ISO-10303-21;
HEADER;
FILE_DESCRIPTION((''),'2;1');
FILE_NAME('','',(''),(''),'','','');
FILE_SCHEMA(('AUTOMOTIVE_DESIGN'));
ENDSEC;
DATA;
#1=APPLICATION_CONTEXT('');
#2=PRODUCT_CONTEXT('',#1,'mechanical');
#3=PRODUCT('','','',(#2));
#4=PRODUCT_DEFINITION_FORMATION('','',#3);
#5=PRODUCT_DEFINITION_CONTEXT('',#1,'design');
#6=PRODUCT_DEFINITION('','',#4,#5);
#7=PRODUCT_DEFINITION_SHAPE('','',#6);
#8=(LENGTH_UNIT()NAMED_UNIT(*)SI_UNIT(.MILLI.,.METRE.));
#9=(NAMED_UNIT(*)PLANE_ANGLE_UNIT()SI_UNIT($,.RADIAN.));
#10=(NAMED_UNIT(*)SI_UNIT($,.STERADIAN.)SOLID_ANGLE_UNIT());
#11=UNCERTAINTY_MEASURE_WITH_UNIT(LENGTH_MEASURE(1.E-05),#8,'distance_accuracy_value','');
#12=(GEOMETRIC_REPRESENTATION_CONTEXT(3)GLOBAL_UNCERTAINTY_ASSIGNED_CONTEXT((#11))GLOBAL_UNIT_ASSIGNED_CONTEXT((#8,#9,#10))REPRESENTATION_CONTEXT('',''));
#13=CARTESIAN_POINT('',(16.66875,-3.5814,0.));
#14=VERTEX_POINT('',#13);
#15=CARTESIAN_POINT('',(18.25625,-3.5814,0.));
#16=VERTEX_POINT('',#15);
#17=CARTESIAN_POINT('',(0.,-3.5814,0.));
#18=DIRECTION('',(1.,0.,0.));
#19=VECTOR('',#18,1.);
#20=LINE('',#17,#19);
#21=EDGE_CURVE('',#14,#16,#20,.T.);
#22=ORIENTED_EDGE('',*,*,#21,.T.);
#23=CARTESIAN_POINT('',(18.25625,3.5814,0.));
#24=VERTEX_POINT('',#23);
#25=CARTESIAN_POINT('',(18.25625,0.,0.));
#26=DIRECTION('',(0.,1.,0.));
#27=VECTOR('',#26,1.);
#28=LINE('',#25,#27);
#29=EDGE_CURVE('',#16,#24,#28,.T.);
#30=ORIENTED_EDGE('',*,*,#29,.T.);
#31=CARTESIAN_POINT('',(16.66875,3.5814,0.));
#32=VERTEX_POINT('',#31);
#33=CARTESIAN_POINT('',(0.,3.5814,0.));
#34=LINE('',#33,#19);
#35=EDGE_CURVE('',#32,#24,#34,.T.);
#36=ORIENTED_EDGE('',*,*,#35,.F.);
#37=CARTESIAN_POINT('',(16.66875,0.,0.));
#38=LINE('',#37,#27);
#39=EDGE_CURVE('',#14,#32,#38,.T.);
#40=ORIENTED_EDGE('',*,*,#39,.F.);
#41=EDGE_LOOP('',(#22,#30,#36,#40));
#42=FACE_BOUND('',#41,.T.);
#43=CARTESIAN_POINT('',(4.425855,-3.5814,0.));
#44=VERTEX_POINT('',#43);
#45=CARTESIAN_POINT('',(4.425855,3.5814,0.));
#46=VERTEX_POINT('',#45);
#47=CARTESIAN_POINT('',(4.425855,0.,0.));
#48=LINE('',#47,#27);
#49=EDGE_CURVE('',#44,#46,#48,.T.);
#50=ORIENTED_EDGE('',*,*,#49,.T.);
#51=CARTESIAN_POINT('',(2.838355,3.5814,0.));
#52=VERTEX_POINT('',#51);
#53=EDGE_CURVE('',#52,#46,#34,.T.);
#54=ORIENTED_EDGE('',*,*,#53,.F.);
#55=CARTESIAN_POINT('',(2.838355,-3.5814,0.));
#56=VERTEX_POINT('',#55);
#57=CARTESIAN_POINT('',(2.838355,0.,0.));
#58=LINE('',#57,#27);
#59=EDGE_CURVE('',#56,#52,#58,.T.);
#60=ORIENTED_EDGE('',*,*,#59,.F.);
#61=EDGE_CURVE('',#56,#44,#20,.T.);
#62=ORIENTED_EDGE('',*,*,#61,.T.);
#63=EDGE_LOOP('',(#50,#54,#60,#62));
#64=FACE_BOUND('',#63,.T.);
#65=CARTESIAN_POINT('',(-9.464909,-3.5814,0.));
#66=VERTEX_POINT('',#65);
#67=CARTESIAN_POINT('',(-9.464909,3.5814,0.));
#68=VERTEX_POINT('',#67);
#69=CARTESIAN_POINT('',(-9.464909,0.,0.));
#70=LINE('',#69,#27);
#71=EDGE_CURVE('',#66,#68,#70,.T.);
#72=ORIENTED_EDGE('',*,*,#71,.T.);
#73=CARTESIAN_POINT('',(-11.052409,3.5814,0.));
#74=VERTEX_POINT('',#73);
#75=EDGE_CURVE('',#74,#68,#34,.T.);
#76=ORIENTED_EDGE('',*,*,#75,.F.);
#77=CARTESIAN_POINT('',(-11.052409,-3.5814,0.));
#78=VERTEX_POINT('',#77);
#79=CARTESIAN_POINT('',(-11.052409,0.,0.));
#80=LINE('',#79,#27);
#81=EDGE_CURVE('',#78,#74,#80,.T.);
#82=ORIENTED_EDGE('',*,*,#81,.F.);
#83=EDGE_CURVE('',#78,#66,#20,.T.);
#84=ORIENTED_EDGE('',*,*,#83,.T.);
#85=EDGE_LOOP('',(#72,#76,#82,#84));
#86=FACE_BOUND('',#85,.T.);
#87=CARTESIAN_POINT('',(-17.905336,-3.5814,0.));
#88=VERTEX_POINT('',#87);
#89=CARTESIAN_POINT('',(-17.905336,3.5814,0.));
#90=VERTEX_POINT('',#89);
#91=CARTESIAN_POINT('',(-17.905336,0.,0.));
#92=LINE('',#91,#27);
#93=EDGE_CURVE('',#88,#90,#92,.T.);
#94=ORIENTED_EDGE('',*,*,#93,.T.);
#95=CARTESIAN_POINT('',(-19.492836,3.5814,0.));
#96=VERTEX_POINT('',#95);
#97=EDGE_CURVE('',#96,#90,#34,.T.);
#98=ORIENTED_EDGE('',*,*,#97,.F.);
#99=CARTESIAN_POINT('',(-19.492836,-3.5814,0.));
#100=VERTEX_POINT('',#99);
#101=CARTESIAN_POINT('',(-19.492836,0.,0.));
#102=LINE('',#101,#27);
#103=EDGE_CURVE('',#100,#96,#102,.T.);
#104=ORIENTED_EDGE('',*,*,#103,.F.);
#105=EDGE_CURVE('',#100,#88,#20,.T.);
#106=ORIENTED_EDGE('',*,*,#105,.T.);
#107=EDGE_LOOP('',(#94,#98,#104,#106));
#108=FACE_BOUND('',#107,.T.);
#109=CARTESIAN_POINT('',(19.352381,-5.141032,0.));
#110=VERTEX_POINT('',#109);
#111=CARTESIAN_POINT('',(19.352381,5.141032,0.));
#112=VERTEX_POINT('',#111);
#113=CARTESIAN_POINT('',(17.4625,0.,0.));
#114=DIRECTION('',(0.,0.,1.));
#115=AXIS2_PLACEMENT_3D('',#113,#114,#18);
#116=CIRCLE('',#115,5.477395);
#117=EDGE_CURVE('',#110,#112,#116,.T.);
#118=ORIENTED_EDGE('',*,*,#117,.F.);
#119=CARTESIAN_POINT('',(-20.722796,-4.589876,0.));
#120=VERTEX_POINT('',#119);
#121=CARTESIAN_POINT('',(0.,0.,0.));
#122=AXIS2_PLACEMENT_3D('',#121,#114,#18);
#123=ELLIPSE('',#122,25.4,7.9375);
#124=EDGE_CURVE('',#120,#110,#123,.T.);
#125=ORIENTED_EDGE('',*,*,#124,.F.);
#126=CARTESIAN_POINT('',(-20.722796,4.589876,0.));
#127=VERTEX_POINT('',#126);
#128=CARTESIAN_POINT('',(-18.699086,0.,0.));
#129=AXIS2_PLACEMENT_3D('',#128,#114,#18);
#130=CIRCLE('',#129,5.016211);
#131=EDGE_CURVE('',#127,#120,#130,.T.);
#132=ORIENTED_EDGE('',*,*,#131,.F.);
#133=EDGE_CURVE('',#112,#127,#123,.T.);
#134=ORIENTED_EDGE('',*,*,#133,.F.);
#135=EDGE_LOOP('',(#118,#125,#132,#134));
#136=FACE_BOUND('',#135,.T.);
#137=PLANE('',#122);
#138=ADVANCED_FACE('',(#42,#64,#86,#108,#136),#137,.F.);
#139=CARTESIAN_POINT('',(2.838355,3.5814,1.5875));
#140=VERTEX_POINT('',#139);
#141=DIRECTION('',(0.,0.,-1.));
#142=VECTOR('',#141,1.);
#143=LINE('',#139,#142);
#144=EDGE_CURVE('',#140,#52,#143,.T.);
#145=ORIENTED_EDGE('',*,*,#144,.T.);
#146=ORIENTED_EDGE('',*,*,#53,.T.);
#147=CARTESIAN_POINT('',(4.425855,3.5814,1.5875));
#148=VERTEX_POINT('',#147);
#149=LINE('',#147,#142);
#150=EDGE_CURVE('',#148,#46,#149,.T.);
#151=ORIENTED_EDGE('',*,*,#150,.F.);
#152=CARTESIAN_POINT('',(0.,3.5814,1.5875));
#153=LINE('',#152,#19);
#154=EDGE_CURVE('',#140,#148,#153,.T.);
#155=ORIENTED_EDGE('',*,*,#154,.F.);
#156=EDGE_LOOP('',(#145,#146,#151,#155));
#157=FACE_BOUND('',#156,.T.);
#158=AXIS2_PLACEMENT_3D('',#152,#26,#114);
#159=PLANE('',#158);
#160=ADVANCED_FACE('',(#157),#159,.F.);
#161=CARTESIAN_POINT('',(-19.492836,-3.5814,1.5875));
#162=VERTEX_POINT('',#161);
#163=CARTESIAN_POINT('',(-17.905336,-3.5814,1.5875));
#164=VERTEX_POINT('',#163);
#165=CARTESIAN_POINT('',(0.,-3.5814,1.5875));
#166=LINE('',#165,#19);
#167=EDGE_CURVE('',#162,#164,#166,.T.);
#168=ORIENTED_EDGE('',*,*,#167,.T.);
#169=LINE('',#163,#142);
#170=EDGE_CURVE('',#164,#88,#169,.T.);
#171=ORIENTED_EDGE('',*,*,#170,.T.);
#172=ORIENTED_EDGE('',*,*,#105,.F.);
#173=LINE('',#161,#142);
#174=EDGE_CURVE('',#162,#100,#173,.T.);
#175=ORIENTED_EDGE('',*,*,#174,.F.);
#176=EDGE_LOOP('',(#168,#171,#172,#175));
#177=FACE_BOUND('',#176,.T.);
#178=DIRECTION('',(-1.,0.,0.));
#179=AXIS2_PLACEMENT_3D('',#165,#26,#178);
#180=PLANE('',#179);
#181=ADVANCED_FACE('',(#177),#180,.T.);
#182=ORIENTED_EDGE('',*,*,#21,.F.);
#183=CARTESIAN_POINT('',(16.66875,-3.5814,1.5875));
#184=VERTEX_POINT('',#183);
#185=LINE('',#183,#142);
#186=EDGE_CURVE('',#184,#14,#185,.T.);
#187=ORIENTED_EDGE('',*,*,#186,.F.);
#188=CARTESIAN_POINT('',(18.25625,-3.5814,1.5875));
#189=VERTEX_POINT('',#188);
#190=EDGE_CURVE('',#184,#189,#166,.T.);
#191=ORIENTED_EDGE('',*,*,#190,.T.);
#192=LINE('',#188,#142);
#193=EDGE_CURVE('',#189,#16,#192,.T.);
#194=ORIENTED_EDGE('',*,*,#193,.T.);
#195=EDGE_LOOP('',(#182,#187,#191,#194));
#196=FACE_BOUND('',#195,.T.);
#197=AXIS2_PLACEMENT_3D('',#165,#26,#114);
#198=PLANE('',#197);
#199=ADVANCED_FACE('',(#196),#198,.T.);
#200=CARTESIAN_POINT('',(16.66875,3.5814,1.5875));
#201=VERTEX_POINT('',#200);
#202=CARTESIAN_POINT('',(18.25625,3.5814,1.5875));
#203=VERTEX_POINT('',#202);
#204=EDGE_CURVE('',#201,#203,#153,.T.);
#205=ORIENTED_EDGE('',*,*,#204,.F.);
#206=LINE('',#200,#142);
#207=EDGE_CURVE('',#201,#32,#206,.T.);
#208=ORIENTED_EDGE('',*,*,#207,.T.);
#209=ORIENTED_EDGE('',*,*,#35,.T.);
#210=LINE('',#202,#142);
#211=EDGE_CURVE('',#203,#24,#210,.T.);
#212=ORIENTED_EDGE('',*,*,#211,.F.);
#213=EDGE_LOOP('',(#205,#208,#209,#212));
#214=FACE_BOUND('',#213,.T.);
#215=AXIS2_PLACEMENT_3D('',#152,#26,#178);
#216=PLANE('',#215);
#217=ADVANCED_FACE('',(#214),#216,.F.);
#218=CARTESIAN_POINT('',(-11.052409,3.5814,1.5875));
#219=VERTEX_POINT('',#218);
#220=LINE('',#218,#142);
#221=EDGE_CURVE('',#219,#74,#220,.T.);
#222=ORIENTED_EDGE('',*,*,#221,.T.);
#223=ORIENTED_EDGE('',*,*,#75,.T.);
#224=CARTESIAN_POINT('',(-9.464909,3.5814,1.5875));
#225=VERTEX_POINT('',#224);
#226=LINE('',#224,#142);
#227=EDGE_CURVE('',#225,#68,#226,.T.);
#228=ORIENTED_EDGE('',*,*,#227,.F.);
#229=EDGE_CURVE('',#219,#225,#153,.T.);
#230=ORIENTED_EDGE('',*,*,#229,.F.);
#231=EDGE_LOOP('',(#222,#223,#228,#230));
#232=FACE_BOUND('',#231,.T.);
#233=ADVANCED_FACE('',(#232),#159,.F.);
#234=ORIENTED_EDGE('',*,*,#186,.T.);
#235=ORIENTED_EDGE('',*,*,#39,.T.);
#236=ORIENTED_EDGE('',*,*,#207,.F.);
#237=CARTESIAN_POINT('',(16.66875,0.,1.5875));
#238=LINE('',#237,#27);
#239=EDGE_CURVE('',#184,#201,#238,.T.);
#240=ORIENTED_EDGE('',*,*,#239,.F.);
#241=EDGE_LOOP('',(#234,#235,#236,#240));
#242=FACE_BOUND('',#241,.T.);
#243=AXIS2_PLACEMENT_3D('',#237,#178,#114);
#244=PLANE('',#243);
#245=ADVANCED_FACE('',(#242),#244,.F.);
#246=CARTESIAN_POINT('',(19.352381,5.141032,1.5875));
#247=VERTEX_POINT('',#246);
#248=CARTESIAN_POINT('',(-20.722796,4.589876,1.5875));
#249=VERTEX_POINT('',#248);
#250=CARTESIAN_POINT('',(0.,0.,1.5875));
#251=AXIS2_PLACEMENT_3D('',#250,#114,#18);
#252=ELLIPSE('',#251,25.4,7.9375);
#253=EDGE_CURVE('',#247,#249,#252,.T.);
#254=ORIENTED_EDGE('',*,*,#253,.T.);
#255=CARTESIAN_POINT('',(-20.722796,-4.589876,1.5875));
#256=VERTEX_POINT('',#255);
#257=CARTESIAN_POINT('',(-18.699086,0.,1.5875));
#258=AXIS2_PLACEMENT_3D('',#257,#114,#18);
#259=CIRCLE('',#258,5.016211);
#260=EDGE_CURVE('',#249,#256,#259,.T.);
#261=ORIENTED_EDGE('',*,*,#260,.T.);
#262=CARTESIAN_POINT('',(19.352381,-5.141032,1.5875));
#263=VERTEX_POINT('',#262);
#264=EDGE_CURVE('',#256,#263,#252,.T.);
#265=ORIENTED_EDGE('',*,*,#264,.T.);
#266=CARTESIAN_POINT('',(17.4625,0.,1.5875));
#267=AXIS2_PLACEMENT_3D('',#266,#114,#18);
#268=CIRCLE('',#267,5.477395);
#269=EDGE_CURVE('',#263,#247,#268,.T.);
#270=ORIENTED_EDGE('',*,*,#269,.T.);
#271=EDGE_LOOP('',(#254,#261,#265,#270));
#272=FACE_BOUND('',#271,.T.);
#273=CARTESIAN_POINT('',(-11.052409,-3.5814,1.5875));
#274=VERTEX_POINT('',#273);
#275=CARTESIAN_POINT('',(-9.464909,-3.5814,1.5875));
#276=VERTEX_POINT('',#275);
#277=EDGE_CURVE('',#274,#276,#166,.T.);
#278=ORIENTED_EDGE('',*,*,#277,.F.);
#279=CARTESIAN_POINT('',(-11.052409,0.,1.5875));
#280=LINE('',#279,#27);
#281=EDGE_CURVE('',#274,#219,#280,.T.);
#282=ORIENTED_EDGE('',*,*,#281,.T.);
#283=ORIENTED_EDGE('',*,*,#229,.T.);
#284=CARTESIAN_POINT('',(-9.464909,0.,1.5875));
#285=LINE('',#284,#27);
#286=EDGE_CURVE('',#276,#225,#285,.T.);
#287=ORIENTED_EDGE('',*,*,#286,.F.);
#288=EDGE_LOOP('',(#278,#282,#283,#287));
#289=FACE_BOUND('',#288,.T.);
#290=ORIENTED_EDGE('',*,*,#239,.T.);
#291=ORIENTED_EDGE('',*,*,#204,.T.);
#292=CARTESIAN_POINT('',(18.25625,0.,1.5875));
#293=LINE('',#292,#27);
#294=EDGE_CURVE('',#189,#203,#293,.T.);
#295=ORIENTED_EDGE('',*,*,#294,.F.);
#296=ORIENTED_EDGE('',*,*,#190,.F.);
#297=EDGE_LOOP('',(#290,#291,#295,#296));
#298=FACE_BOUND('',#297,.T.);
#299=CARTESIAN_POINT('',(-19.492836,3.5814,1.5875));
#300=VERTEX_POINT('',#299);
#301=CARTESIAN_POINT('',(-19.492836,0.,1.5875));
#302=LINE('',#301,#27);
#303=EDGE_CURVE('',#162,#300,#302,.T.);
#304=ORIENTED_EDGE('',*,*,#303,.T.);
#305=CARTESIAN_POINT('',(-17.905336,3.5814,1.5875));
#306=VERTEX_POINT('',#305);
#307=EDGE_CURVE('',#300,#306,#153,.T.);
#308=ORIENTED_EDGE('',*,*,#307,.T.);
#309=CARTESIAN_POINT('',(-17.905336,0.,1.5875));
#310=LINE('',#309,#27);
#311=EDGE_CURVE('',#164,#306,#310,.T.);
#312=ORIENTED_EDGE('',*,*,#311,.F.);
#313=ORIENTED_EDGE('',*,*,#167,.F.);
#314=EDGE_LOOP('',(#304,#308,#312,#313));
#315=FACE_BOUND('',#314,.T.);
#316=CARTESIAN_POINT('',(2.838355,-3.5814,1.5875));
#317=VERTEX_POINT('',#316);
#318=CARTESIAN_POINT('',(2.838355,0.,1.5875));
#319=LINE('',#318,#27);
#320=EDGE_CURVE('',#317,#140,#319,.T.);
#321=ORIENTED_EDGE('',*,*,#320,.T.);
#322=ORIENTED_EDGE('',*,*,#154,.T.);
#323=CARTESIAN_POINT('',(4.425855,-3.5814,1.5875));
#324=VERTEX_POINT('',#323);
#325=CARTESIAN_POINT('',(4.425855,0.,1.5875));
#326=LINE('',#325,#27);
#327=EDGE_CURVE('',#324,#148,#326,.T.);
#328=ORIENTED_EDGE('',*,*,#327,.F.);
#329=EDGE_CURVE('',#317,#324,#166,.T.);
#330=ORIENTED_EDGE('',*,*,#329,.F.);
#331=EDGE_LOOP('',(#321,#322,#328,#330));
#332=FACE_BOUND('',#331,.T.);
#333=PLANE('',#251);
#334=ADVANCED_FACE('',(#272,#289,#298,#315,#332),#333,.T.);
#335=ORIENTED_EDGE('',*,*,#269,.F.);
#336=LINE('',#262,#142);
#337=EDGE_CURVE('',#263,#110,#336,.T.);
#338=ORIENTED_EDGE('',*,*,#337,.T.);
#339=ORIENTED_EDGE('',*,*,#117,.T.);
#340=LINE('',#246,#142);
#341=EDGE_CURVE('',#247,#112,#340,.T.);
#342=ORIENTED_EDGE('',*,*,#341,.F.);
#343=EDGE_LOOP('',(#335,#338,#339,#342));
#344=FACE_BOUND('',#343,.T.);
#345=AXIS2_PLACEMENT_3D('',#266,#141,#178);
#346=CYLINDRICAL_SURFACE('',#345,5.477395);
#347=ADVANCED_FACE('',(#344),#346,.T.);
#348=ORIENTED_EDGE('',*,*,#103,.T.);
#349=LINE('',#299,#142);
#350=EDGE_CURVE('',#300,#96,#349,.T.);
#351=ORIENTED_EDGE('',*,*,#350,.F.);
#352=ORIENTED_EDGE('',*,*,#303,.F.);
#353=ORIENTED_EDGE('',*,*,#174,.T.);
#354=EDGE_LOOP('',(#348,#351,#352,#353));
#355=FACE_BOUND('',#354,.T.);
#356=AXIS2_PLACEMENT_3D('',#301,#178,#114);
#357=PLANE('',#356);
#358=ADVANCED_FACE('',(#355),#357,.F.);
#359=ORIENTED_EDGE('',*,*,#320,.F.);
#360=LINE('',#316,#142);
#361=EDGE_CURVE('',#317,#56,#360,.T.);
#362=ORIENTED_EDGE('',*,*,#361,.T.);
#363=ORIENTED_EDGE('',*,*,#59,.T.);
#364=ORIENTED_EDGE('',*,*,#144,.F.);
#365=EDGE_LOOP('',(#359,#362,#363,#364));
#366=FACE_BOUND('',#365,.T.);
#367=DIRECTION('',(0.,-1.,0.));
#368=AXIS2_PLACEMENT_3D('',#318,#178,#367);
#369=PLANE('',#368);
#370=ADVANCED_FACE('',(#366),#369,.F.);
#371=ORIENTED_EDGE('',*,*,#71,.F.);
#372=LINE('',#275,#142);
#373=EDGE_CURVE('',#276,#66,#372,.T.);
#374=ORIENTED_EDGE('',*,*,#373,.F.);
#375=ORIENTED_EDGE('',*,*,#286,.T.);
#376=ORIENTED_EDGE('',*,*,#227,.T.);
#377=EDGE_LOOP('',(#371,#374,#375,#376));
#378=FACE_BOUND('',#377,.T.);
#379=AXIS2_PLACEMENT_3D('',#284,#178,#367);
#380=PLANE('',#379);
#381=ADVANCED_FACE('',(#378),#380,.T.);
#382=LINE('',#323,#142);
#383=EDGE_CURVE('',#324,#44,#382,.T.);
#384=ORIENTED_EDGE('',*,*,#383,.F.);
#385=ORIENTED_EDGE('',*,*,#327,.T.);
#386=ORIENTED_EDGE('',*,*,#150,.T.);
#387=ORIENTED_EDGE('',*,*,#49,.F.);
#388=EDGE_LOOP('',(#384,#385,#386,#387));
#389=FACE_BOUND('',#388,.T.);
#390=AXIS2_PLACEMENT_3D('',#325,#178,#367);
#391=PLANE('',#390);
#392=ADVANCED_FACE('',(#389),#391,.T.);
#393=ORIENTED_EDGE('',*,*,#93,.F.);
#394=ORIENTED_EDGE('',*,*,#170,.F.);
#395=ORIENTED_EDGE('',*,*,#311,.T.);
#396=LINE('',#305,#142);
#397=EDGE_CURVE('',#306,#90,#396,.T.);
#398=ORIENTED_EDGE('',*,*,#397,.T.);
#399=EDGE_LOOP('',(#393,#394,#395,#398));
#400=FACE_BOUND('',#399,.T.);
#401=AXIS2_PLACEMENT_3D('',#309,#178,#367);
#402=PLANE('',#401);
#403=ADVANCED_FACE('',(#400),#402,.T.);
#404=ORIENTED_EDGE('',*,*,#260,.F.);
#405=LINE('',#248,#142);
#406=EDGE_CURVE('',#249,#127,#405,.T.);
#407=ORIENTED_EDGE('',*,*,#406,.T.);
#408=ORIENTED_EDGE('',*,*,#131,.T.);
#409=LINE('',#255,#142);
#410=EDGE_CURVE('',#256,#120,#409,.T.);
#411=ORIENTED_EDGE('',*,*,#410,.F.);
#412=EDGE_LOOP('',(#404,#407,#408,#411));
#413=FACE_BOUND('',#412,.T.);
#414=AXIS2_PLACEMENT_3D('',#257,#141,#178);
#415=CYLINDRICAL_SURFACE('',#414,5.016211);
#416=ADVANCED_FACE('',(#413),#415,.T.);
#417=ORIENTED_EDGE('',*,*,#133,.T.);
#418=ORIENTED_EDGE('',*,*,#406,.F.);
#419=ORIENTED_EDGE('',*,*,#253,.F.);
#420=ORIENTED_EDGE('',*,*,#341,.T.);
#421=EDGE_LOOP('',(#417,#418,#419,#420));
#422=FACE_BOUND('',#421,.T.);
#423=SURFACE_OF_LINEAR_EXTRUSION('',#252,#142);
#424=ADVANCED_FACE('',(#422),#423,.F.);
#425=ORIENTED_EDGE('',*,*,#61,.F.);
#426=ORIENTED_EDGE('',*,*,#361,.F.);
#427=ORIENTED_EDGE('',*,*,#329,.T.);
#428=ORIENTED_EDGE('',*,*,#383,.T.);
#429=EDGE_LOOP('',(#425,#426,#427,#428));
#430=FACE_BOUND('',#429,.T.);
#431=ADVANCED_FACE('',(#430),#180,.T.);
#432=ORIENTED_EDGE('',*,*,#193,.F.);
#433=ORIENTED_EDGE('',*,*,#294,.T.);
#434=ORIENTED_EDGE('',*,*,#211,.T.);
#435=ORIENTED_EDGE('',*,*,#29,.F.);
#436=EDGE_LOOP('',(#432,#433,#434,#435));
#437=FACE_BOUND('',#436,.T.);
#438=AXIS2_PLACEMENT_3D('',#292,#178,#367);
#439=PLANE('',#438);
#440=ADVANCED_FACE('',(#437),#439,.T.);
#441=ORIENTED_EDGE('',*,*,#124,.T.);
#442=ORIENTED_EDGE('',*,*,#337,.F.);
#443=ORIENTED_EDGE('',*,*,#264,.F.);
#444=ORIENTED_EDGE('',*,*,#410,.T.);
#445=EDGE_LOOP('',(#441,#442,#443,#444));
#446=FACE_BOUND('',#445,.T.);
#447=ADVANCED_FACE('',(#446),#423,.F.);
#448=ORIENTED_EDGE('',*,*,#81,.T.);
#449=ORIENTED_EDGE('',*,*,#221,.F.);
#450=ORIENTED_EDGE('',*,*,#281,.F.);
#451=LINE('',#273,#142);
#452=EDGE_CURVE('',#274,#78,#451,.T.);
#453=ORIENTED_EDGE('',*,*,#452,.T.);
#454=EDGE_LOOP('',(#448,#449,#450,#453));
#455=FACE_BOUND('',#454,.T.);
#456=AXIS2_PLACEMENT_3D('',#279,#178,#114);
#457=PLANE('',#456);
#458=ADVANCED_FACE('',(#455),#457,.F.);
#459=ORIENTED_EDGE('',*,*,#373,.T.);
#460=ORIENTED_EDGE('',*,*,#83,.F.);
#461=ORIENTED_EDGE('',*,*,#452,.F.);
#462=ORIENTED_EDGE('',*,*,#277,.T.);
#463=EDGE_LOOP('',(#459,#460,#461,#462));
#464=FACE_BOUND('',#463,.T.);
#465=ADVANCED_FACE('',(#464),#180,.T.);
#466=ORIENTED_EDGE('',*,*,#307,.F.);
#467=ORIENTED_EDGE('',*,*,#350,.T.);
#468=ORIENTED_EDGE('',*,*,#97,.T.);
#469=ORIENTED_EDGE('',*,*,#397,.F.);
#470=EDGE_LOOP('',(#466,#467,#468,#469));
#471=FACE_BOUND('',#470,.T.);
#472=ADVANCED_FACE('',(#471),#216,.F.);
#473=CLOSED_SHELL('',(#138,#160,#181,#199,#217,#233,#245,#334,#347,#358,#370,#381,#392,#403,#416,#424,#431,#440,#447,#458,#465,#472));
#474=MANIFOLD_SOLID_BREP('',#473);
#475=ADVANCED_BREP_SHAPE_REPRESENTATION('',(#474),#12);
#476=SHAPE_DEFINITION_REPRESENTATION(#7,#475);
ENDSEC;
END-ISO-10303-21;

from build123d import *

# Parameters (mm, degrees)
SKETCH1_W           = 1.5875
SKETCH1_H           = 7.1628
BOSS_EXTRUDE1_DEPTH = 1.5875


with BuildPart() as part:
    # Sketch1 → Boss-Extrude1 (new body)
    with BuildSketch(Plane.XY):
        with BuildLine():
            ThreePointArc((-20.722796249, 4.589876297), (-23.715296357, 7.4e-08), (-20.722796383, -4.589876237))
            add(Edge.make_bspline(
                [(-20.722796383, -4.589876237), (-1.820130831, -12.924202126), (19.352380946, -5.14103201)],
                knots=[3.758177337, 3.758177337, 3.758177337, 5.578637888, 5.578637888, 5.578637888], degree=2, weights=[1, 0.61356393, 1]))
            ThreePointArc((19.352380946, -5.14103201), (22.939895377, 0), (19.352380946, 5.14103201))
            add(Edge.make_bspline(
                [(19.352380946, 5.14103201), (-1.82013063, 12.924202052), (-20.722796249, 4.589876297)],
                knots=[0.704547419, 0.704547419, 0.704547419, 2.525007961, 2.525007961, 2.525007961], degree=2, weights=[1, 0.613563933, 1]))
        make_face()
        with Locations((-18.699085792, 0)):
            Rectangle(SKETCH1_W, SKETCH1_H, mode=Mode.SUBTRACT)
        with Locations((3.632105004, 0)):
            Rectangle(SKETCH1_W, SKETCH1_H, mode=Mode.SUBTRACT)
        with Locations((-10.258658934, 0)):
            Rectangle(SKETCH1_W, SKETCH1_H, mode=Mode.SUBTRACT)
        with Locations((17.4625, 0)):
            Rectangle(SKETCH1_W, SKETCH1_H, mode=Mode.SUBTRACT)
    extrude(amount=BOSS_EXTRUDE1_DEPTH)


solid = part.part
